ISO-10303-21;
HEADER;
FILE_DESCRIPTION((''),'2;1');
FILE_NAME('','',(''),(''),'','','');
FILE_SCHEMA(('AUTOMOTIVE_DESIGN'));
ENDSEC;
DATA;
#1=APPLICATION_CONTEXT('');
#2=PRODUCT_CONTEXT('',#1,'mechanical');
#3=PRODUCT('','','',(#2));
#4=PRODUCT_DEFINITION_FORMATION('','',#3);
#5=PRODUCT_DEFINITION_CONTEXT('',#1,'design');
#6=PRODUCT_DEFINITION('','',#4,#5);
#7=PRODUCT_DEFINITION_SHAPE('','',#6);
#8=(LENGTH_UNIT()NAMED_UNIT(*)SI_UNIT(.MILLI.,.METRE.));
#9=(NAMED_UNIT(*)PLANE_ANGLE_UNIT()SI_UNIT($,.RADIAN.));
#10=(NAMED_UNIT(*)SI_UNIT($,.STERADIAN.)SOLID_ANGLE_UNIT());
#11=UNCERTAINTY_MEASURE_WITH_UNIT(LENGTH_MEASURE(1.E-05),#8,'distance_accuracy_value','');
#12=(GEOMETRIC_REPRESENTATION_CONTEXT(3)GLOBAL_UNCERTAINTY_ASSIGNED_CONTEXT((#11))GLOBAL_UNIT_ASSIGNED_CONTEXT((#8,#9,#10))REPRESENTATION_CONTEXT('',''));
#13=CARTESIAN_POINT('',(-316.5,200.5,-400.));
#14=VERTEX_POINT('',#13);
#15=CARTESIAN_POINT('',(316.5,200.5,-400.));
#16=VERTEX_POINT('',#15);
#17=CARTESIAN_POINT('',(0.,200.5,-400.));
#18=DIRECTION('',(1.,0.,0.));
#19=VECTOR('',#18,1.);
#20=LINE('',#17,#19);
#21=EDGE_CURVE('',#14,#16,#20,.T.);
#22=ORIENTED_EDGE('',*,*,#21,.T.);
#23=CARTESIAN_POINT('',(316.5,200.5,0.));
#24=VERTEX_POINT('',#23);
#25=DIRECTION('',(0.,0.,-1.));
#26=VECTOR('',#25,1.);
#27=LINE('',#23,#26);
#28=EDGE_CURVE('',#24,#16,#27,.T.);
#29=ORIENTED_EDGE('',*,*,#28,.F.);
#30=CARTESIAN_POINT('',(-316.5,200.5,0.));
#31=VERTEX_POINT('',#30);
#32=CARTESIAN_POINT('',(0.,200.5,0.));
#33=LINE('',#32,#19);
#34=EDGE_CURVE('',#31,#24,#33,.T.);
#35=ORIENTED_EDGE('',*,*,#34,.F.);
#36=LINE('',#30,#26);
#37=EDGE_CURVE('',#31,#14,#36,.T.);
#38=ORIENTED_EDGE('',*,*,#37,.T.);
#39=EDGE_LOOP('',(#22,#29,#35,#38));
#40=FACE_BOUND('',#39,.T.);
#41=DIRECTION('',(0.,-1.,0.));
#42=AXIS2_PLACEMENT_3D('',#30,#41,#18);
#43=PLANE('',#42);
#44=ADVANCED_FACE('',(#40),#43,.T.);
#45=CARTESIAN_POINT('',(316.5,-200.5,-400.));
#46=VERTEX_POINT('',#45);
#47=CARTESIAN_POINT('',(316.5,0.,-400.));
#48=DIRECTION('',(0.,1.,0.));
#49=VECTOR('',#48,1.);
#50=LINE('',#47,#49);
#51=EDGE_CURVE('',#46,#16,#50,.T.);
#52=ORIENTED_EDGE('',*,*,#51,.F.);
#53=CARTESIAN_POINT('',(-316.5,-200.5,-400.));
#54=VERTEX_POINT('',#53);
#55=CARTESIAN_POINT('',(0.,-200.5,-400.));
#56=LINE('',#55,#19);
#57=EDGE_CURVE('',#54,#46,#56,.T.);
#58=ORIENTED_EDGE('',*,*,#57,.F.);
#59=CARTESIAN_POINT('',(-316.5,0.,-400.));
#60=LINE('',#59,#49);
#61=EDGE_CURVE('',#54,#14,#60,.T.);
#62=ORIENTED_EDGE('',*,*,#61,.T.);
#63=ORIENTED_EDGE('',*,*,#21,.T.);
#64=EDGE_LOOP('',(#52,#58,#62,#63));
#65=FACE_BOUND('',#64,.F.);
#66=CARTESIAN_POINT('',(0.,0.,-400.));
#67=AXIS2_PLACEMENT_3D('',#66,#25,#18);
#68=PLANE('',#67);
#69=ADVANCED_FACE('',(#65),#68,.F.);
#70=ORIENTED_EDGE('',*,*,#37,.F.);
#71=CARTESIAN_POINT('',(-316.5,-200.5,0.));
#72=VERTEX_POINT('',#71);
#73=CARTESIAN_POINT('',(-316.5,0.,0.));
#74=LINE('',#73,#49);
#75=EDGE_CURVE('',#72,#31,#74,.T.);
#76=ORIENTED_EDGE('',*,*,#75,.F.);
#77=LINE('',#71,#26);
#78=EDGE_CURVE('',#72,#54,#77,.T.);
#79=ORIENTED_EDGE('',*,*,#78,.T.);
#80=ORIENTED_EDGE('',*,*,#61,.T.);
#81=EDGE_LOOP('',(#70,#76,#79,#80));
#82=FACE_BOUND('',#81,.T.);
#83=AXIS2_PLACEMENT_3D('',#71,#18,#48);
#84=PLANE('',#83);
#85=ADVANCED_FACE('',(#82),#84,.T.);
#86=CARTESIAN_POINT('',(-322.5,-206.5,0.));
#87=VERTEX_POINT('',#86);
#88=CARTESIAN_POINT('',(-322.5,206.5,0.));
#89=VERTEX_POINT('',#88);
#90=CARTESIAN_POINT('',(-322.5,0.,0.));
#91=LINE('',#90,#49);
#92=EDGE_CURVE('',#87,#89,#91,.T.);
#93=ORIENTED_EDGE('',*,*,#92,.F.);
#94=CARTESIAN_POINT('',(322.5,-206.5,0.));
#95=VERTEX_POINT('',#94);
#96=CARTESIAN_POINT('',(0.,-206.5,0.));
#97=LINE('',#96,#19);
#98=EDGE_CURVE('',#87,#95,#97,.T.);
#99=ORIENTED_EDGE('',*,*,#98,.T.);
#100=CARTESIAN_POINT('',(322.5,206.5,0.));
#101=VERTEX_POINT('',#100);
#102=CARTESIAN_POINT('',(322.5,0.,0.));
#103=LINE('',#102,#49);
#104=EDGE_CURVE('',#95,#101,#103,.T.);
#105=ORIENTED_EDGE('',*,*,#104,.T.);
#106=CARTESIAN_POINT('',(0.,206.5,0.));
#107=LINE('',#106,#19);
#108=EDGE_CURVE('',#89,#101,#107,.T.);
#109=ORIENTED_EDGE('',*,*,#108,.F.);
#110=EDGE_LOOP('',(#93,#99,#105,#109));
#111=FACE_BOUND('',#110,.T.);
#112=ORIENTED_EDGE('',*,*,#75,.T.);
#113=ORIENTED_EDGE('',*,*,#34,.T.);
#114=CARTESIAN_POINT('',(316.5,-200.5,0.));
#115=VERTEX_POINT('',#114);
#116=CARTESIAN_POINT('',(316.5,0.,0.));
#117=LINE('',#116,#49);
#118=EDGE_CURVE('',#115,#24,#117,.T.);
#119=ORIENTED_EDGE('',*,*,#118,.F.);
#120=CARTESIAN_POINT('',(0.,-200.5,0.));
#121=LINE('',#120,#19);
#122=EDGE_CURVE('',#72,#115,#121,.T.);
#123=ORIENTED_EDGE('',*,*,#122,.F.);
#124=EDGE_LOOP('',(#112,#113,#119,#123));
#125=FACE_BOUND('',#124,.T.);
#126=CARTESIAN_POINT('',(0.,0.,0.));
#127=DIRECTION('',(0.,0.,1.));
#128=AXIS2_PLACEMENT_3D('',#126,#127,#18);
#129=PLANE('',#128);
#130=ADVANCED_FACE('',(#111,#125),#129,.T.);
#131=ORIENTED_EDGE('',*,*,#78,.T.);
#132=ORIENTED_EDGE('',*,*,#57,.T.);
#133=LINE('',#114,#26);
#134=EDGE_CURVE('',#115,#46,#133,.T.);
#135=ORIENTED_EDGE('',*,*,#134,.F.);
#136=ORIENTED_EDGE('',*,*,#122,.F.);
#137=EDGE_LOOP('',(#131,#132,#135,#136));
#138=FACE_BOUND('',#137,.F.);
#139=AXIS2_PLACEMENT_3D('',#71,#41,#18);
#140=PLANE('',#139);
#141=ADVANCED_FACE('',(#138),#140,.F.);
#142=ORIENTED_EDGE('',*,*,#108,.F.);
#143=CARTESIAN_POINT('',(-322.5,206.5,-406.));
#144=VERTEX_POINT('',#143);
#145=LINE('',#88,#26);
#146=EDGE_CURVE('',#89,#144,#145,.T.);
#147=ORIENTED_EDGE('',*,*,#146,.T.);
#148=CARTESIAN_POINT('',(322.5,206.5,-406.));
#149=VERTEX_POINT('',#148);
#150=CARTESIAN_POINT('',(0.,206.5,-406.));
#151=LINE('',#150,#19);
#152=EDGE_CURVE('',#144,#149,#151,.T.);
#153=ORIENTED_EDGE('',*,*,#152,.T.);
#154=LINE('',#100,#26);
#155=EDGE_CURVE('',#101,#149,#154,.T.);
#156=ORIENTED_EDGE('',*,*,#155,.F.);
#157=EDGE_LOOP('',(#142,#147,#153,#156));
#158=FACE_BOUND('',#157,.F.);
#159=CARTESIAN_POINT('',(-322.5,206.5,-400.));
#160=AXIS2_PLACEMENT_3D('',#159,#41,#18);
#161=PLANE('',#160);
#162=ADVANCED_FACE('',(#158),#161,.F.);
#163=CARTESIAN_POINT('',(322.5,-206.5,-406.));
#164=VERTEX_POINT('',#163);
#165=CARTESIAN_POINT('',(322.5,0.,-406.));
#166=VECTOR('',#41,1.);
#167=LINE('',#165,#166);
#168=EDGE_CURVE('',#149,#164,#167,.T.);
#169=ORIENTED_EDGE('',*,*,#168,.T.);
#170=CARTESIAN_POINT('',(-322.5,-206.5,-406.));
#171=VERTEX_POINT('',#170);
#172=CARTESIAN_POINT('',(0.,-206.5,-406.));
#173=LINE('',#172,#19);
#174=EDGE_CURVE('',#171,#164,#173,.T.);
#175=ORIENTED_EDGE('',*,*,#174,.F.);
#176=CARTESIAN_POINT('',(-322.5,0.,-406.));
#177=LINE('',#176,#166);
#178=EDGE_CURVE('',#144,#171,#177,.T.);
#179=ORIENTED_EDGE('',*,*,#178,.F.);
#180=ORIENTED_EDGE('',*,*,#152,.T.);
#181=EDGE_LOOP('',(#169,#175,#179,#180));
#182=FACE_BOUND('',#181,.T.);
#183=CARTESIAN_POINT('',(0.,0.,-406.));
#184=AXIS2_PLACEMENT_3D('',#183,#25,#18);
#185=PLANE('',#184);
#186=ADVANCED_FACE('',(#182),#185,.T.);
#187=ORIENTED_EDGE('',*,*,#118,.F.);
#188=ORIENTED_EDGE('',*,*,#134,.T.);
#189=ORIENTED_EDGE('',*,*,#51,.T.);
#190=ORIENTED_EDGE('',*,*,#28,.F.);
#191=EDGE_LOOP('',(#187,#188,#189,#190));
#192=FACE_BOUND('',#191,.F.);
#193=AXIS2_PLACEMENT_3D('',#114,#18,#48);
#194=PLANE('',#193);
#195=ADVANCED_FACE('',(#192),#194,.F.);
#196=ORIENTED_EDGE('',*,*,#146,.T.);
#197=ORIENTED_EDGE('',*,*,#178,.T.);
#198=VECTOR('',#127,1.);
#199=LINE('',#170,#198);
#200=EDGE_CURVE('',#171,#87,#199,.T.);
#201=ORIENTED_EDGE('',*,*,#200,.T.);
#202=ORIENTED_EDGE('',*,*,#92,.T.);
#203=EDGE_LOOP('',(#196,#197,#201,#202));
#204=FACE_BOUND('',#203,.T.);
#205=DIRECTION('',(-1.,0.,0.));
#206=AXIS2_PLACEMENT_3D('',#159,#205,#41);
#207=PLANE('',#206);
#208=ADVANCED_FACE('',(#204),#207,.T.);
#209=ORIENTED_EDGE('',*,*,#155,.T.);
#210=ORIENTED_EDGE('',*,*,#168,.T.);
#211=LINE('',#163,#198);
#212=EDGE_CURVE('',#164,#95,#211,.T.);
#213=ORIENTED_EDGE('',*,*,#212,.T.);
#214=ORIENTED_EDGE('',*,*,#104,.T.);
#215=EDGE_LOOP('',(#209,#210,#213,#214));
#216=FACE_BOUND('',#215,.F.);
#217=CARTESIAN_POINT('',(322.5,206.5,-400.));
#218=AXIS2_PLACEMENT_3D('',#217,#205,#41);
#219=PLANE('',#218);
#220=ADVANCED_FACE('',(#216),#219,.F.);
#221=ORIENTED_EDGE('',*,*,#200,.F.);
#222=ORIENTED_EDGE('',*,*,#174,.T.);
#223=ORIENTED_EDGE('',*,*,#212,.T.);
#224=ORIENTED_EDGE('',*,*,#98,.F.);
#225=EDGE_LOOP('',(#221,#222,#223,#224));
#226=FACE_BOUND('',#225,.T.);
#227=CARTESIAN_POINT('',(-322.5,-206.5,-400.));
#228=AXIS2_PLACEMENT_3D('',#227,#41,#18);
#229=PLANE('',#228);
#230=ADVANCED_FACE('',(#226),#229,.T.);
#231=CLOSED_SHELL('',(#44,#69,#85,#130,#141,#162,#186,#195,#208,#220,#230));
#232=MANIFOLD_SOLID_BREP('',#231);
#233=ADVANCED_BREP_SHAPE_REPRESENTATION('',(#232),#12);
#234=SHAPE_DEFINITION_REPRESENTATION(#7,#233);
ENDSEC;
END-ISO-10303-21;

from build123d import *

# Parameters (mm, degrees)
F0_W     = 645
F0_H     = 413
F0_W_2   = 633
F0_H_2   = 401
F1_DEPTH = 400
F2_W     = 645
F2_H     = 413
F3_DEPTH = 6


with BuildPart() as f1:
    # F0 (on Top) → F1 (new body)
    with BuildSketch(Plane.XY):
        Rectangle(F0_W, F0_H)
        Rectangle(F0_W_2, F0_H_2, mode=Mode.SUBTRACT)
    extrude(amount=-F1_DEPTH)

    # F2 (on face) → F3 (join)
    with BuildSketch(Plane(origin=(0, 0, -400), x_dir=(1, 0, 0), z_dir=(0, 0, -1))):
        Rectangle(F2_W, F2_H)
    extrude(amount=F3_DEPTH)


solid = f1.part
